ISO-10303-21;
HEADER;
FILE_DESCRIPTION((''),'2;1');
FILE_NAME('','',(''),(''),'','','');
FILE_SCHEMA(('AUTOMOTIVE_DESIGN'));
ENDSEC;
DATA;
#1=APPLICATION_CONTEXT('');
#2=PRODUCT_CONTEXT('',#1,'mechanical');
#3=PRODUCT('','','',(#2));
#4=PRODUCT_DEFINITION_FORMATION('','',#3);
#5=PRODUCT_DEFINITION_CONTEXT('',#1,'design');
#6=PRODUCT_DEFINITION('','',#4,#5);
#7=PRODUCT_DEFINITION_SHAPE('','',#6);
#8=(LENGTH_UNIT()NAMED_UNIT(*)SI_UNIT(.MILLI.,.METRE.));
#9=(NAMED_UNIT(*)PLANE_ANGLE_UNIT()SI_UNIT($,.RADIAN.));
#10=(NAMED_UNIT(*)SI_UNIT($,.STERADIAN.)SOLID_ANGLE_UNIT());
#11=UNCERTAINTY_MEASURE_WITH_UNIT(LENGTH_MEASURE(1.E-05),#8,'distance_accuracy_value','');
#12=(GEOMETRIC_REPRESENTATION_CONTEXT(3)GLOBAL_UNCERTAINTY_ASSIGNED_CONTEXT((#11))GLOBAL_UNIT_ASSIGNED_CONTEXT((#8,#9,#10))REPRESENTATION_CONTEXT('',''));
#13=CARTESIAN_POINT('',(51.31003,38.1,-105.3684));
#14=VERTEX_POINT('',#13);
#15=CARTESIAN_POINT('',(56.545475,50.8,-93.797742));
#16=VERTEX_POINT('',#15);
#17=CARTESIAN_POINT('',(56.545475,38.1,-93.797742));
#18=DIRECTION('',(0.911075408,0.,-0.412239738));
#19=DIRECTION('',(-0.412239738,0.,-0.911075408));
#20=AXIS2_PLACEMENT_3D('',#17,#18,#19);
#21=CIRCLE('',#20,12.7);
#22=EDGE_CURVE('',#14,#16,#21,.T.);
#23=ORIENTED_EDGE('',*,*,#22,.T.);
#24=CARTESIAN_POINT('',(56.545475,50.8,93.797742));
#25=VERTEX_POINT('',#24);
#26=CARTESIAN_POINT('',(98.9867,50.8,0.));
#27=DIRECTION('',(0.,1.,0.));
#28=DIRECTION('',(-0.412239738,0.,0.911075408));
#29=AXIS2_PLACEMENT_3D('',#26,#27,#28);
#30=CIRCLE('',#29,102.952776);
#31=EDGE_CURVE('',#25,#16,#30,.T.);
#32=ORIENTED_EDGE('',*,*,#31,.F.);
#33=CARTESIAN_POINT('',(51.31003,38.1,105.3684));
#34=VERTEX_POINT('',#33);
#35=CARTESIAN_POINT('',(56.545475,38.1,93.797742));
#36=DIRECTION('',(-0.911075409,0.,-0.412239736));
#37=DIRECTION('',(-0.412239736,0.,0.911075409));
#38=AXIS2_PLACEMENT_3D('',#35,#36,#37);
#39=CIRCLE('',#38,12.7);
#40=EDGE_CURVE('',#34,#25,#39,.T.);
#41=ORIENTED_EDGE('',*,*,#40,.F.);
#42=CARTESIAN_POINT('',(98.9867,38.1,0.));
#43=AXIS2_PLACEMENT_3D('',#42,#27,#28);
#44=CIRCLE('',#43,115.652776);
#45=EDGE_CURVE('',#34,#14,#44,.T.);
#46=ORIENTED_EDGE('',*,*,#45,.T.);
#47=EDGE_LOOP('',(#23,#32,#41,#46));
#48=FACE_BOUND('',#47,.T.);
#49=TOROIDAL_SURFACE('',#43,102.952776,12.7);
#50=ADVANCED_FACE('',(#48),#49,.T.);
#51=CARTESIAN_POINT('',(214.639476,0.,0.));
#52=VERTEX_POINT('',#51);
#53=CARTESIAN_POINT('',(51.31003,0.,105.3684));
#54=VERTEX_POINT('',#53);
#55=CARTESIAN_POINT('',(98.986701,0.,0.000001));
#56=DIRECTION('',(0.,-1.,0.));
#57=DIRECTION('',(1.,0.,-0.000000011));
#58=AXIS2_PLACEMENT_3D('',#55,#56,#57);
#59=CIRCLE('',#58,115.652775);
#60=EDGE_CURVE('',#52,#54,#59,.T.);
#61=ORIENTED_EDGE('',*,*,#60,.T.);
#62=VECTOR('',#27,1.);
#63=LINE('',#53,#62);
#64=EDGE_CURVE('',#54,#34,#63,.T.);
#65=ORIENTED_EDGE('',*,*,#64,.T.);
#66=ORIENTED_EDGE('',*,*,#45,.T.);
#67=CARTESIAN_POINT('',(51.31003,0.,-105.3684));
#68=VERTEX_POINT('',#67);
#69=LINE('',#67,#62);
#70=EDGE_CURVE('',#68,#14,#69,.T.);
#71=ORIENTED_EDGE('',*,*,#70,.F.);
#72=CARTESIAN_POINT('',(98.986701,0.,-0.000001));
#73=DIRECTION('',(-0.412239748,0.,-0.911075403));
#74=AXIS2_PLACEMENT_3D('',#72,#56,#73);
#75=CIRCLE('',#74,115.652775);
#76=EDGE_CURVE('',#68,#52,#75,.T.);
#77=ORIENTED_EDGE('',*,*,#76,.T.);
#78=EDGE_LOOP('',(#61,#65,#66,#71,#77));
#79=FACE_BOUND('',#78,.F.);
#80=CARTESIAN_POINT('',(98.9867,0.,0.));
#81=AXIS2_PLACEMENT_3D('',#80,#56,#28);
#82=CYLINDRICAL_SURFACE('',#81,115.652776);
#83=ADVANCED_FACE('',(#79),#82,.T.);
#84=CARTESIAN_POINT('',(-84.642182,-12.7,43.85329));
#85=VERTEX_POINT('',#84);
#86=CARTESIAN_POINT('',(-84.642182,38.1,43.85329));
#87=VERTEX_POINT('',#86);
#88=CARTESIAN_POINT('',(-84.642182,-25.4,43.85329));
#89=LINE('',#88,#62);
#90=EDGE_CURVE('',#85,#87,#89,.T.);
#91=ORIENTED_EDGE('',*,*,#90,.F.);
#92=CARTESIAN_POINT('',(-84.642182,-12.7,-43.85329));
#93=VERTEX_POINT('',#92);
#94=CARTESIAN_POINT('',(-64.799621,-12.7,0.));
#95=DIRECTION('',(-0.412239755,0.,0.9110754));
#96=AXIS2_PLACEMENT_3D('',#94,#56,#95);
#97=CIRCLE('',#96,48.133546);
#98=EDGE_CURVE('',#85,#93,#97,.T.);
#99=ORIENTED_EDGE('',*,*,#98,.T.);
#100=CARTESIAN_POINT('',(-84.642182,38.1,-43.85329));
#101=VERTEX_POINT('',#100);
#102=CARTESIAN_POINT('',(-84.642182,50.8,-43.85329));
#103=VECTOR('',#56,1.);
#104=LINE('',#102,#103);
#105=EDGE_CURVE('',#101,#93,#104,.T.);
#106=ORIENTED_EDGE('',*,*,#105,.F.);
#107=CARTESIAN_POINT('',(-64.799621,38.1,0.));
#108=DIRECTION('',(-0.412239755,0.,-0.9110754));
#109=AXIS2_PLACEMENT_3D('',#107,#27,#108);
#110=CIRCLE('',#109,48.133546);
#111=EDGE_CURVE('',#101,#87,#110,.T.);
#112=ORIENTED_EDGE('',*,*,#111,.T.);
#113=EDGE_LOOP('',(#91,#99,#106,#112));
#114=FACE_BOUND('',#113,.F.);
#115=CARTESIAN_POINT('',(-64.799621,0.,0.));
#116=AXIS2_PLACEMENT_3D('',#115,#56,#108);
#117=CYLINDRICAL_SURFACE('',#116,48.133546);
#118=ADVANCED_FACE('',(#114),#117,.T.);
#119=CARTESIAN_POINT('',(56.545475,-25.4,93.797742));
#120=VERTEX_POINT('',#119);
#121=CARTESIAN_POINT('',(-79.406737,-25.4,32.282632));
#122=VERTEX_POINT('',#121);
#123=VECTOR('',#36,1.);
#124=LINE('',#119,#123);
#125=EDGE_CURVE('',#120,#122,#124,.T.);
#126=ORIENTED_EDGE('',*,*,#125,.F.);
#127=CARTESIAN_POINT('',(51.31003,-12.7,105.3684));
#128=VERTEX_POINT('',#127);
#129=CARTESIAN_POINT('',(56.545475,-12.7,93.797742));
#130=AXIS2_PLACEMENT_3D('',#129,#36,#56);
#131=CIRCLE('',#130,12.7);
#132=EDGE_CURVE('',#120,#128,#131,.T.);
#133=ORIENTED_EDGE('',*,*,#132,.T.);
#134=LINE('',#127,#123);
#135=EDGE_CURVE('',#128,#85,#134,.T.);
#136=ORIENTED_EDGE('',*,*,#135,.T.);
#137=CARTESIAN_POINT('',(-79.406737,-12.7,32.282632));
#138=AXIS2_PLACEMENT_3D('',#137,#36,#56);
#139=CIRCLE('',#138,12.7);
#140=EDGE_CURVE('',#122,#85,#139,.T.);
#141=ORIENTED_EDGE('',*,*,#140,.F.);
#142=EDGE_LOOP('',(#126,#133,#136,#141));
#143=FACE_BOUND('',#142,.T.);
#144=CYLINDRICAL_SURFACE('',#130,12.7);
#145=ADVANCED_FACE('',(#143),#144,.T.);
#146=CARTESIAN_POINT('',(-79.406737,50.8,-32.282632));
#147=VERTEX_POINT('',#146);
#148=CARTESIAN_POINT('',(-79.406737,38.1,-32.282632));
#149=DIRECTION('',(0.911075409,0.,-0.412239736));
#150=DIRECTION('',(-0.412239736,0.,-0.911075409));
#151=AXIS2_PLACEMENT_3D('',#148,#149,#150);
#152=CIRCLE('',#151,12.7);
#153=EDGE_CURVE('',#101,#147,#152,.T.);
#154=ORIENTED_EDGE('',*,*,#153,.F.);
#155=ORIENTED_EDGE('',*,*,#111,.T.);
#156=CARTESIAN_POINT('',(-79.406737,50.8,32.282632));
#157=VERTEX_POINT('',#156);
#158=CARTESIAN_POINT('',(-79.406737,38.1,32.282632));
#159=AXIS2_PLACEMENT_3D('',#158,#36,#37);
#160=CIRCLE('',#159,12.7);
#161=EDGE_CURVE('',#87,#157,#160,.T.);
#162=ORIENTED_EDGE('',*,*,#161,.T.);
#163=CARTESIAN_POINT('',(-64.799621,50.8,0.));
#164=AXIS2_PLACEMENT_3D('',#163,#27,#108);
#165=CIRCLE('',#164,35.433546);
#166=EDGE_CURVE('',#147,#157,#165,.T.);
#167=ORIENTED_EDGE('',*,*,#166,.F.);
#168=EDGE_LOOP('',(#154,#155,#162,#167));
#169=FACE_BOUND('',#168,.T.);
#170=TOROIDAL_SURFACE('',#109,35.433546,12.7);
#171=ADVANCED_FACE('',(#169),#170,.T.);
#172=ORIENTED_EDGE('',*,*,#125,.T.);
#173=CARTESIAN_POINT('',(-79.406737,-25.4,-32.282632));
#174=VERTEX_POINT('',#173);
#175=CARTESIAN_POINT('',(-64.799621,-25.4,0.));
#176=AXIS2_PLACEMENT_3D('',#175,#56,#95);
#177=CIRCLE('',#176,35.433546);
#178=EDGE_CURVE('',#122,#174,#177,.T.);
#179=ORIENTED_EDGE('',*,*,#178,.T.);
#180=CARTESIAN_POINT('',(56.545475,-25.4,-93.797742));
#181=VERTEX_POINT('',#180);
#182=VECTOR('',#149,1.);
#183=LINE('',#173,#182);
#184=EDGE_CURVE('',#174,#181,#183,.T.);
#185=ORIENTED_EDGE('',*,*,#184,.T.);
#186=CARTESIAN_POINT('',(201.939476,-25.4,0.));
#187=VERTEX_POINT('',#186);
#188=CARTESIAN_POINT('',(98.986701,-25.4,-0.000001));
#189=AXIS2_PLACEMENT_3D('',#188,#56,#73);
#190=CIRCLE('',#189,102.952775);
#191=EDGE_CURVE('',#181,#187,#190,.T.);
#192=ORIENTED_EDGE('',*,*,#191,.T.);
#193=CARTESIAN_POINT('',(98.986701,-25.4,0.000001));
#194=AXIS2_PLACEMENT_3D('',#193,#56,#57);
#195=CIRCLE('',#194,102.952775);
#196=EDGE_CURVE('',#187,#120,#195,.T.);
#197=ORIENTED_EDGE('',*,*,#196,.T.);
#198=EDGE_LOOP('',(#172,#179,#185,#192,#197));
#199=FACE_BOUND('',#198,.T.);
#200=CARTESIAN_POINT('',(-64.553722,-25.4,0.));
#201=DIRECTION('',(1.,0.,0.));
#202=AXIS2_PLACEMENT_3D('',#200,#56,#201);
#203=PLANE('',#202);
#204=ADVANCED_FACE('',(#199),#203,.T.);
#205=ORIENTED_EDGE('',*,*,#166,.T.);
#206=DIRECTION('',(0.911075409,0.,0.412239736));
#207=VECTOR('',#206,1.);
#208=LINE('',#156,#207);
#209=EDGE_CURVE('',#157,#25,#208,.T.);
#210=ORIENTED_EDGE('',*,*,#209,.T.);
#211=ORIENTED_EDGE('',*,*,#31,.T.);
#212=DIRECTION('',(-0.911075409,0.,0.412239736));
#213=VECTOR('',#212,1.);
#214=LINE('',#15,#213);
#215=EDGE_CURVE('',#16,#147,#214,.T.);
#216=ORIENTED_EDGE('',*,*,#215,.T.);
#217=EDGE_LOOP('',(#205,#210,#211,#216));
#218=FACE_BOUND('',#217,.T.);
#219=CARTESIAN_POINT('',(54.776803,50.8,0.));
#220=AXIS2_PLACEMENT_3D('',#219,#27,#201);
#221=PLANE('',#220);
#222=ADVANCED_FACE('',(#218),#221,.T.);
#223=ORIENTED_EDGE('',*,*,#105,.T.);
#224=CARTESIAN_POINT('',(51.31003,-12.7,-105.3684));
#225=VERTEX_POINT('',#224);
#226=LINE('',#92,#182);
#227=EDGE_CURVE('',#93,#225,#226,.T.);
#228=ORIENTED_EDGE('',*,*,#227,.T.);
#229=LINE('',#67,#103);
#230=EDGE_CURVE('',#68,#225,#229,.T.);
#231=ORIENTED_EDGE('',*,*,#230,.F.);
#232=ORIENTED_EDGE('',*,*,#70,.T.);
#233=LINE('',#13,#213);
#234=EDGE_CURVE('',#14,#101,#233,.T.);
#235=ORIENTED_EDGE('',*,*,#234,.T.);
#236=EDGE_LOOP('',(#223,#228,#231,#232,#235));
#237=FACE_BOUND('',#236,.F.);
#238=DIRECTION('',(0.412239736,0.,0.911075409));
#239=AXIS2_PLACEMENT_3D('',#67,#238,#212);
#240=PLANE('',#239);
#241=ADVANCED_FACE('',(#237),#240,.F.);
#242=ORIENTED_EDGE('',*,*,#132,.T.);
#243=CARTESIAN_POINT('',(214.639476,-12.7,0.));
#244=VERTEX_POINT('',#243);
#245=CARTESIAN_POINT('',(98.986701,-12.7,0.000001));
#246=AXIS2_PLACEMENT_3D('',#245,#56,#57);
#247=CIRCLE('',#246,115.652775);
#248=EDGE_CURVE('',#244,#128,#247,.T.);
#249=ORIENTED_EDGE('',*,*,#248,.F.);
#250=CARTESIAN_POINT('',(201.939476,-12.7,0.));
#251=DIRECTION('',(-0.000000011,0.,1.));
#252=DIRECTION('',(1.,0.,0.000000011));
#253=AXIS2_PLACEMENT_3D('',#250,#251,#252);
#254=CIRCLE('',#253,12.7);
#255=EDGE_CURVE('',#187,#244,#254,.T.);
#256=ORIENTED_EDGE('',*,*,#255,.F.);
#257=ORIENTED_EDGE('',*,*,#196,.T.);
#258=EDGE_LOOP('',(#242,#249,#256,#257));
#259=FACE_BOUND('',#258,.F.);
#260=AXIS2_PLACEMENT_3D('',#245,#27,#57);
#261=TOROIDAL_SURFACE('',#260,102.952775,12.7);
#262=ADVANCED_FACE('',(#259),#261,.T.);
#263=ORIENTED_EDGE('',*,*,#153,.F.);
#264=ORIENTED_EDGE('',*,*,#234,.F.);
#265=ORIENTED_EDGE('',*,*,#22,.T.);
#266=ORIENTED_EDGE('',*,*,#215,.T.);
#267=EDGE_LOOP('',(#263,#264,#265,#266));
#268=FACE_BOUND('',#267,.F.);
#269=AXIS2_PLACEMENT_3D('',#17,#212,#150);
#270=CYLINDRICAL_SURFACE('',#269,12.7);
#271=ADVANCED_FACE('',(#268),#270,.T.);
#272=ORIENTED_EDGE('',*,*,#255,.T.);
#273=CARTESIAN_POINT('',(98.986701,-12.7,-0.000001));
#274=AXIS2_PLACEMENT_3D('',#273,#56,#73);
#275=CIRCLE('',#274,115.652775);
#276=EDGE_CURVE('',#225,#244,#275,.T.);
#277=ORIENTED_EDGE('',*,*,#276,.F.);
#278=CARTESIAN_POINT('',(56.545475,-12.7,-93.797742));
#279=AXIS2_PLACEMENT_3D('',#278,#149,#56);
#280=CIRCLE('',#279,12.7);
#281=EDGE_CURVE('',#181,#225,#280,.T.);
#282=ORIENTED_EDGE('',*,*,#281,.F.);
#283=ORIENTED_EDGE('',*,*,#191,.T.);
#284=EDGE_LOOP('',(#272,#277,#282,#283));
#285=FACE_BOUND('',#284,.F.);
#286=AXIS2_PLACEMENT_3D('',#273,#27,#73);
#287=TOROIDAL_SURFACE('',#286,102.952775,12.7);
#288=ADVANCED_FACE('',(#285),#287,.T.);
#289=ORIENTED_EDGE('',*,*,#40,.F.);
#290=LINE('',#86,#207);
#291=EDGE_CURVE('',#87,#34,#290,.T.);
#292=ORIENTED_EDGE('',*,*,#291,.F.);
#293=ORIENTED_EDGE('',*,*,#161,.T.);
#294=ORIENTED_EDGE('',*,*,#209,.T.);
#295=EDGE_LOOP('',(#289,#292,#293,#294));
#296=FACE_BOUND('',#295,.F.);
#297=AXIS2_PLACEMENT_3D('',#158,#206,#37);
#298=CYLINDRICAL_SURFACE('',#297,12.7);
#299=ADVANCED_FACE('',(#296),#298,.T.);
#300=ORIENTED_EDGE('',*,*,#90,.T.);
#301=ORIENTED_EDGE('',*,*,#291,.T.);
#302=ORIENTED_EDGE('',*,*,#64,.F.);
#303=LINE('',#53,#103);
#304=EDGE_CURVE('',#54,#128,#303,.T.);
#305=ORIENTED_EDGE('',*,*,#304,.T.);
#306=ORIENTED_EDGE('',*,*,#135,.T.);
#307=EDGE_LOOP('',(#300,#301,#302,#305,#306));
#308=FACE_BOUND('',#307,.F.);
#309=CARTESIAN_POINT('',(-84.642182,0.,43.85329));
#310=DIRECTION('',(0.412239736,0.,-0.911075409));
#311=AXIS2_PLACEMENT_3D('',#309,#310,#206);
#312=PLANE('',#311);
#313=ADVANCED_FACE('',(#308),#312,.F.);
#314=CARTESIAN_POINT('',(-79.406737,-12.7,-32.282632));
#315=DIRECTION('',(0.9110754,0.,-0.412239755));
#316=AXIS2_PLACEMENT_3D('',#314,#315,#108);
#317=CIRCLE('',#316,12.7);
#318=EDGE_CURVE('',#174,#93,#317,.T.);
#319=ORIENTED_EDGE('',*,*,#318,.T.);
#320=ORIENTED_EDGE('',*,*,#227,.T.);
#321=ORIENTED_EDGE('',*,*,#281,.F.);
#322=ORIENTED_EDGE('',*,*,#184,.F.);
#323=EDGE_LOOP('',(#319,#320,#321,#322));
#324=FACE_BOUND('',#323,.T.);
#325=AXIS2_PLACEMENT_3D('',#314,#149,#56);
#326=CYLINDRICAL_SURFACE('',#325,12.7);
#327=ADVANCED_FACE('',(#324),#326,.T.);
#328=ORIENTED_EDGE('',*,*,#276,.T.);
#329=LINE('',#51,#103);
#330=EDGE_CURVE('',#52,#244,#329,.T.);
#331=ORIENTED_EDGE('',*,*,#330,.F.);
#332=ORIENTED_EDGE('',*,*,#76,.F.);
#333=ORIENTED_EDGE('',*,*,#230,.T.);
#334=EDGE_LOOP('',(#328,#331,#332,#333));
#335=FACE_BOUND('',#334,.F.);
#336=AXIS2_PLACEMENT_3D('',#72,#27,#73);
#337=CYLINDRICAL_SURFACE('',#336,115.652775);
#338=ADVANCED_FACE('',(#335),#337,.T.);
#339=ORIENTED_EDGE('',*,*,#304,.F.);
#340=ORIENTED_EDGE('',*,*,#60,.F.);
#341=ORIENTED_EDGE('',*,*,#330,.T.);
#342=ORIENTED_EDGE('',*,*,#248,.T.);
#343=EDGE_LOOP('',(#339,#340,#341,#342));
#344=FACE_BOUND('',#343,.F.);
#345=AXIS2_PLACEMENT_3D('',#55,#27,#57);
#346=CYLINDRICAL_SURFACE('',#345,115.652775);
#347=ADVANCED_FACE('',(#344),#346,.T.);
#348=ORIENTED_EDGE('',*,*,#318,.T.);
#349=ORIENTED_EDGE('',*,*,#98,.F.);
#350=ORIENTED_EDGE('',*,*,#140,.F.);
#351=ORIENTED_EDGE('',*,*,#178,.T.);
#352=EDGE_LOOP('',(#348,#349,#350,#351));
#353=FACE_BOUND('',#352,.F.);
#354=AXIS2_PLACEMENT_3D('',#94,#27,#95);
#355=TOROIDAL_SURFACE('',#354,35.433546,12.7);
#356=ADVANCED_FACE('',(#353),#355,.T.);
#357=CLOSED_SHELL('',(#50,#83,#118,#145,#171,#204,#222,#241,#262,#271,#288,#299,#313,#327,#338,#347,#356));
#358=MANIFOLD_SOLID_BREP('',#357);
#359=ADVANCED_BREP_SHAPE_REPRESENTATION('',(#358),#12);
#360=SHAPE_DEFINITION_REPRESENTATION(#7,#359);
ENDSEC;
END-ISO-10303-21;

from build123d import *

# Parameters (mm, degrees)
F1_DEPTH = 25.4
F2_R     = 57.300749
F3_DEPTH = 25.4
F4_DEPTH = 50.8
F5_R     = 12.7
F6_R     = 12.7


with BuildPart() as f1:
    # F0 (on Front) → F1 (new body)
    with BuildSketch(Plane.XZ):
        with BuildLine():
            ThreePointArc((-84.642182, -43.85329), (-38.706084, -40.44707), (-16.666076, 0))
            ThreePointArc((-16.666076, 0), (-38.706084, 40.44707), (-84.642182, 43.85329))
            ThreePointArc((-84.642182, 43.85329), (-112.933167, 0), (-84.642182, -43.85329))
        make_face()
        with BuildLine():
            ThreePointArc((51.31003, -105.3684), (1.802586, -62.696194), (-16.666076, 0))
            ThreePointArc((-16.666076, 0), (-38.706084, -40.44707), (-84.642182, -43.85329))
            Line((-84.642182, -43.85329), (51.31003, -105.3684))
        make_face()
        with BuildLine():
            ThreePointArc((-84.642182, 43.85329), (-38.706084, 40.44707), (-16.666076, 0))
            ThreePointArc((-16.666076, 0), (1.802586, 62.696194), (51.31003, 105.3684))
            Line((51.31003, 105.3684), (-84.642182, 43.85329))
        make_face()
        with BuildLine():
            ThreePointArc((51.31003, 105.3684), (1.802586, 62.696194), (-16.666076, 0))
            ThreePointArc((-16.666076, 0), (1.802586, -62.696194), (51.31003, -105.3684))
            ThreePointArc((51.31003, -105.3684), (161.682894, -97.184114), (214.639476, 0))
            ThreePointArc((214.639476, 0), (161.682894, 97.184114), (51.31003, 105.3684))
        make_face()
    extrude(amount=F1_DEPTH)

    # F2 (on Front) → F3 (cut)
    with BuildSketch(Plane.XZ):
        with Locations((105.685264, 0)):
            Circle(F2_R)
    extrude(amount=-F3_DEPTH, mode=Mode.SUBTRACT)

    # F1_face (on face) → F4 (join)
    with BuildSketch(Plane(origin=(66.909918, 0, 0), x_dir=(1, 0, 0), z_dir=(0, 1, 0))):
        with BuildLine():
            ThreePointArc((-151.5521, 43.85329), (-179.843085, 0), (-151.5521, -43.85329))
            Line((-151.5521, -43.85329), (-15.599888, -105.3684))
            ThreePointArc((-15.599888, -105.3684), (147.729558, 0), (-15.599888, 105.3684))
            Line((-15.599888, 105.3684), (-151.5521, 43.85329))
        make_face()
    extrude(amount=F4_DEPTH)

    # F5
    f5_edges = [f1.edges().sort_by_distance(p)[0] for p in [
        (-16.666076, 50.8, 74.610845),
    ]]
    fillet(f5_edges, radius=F5_R)

    # F6
    f6_edges = [f1.edges().sort_by_distance(p)[0] for p in [
        (-16.666076, -25.4, 74.610845),
    ]]
    fillet(f6_edges, radius=F6_R)


solid = f1.part
